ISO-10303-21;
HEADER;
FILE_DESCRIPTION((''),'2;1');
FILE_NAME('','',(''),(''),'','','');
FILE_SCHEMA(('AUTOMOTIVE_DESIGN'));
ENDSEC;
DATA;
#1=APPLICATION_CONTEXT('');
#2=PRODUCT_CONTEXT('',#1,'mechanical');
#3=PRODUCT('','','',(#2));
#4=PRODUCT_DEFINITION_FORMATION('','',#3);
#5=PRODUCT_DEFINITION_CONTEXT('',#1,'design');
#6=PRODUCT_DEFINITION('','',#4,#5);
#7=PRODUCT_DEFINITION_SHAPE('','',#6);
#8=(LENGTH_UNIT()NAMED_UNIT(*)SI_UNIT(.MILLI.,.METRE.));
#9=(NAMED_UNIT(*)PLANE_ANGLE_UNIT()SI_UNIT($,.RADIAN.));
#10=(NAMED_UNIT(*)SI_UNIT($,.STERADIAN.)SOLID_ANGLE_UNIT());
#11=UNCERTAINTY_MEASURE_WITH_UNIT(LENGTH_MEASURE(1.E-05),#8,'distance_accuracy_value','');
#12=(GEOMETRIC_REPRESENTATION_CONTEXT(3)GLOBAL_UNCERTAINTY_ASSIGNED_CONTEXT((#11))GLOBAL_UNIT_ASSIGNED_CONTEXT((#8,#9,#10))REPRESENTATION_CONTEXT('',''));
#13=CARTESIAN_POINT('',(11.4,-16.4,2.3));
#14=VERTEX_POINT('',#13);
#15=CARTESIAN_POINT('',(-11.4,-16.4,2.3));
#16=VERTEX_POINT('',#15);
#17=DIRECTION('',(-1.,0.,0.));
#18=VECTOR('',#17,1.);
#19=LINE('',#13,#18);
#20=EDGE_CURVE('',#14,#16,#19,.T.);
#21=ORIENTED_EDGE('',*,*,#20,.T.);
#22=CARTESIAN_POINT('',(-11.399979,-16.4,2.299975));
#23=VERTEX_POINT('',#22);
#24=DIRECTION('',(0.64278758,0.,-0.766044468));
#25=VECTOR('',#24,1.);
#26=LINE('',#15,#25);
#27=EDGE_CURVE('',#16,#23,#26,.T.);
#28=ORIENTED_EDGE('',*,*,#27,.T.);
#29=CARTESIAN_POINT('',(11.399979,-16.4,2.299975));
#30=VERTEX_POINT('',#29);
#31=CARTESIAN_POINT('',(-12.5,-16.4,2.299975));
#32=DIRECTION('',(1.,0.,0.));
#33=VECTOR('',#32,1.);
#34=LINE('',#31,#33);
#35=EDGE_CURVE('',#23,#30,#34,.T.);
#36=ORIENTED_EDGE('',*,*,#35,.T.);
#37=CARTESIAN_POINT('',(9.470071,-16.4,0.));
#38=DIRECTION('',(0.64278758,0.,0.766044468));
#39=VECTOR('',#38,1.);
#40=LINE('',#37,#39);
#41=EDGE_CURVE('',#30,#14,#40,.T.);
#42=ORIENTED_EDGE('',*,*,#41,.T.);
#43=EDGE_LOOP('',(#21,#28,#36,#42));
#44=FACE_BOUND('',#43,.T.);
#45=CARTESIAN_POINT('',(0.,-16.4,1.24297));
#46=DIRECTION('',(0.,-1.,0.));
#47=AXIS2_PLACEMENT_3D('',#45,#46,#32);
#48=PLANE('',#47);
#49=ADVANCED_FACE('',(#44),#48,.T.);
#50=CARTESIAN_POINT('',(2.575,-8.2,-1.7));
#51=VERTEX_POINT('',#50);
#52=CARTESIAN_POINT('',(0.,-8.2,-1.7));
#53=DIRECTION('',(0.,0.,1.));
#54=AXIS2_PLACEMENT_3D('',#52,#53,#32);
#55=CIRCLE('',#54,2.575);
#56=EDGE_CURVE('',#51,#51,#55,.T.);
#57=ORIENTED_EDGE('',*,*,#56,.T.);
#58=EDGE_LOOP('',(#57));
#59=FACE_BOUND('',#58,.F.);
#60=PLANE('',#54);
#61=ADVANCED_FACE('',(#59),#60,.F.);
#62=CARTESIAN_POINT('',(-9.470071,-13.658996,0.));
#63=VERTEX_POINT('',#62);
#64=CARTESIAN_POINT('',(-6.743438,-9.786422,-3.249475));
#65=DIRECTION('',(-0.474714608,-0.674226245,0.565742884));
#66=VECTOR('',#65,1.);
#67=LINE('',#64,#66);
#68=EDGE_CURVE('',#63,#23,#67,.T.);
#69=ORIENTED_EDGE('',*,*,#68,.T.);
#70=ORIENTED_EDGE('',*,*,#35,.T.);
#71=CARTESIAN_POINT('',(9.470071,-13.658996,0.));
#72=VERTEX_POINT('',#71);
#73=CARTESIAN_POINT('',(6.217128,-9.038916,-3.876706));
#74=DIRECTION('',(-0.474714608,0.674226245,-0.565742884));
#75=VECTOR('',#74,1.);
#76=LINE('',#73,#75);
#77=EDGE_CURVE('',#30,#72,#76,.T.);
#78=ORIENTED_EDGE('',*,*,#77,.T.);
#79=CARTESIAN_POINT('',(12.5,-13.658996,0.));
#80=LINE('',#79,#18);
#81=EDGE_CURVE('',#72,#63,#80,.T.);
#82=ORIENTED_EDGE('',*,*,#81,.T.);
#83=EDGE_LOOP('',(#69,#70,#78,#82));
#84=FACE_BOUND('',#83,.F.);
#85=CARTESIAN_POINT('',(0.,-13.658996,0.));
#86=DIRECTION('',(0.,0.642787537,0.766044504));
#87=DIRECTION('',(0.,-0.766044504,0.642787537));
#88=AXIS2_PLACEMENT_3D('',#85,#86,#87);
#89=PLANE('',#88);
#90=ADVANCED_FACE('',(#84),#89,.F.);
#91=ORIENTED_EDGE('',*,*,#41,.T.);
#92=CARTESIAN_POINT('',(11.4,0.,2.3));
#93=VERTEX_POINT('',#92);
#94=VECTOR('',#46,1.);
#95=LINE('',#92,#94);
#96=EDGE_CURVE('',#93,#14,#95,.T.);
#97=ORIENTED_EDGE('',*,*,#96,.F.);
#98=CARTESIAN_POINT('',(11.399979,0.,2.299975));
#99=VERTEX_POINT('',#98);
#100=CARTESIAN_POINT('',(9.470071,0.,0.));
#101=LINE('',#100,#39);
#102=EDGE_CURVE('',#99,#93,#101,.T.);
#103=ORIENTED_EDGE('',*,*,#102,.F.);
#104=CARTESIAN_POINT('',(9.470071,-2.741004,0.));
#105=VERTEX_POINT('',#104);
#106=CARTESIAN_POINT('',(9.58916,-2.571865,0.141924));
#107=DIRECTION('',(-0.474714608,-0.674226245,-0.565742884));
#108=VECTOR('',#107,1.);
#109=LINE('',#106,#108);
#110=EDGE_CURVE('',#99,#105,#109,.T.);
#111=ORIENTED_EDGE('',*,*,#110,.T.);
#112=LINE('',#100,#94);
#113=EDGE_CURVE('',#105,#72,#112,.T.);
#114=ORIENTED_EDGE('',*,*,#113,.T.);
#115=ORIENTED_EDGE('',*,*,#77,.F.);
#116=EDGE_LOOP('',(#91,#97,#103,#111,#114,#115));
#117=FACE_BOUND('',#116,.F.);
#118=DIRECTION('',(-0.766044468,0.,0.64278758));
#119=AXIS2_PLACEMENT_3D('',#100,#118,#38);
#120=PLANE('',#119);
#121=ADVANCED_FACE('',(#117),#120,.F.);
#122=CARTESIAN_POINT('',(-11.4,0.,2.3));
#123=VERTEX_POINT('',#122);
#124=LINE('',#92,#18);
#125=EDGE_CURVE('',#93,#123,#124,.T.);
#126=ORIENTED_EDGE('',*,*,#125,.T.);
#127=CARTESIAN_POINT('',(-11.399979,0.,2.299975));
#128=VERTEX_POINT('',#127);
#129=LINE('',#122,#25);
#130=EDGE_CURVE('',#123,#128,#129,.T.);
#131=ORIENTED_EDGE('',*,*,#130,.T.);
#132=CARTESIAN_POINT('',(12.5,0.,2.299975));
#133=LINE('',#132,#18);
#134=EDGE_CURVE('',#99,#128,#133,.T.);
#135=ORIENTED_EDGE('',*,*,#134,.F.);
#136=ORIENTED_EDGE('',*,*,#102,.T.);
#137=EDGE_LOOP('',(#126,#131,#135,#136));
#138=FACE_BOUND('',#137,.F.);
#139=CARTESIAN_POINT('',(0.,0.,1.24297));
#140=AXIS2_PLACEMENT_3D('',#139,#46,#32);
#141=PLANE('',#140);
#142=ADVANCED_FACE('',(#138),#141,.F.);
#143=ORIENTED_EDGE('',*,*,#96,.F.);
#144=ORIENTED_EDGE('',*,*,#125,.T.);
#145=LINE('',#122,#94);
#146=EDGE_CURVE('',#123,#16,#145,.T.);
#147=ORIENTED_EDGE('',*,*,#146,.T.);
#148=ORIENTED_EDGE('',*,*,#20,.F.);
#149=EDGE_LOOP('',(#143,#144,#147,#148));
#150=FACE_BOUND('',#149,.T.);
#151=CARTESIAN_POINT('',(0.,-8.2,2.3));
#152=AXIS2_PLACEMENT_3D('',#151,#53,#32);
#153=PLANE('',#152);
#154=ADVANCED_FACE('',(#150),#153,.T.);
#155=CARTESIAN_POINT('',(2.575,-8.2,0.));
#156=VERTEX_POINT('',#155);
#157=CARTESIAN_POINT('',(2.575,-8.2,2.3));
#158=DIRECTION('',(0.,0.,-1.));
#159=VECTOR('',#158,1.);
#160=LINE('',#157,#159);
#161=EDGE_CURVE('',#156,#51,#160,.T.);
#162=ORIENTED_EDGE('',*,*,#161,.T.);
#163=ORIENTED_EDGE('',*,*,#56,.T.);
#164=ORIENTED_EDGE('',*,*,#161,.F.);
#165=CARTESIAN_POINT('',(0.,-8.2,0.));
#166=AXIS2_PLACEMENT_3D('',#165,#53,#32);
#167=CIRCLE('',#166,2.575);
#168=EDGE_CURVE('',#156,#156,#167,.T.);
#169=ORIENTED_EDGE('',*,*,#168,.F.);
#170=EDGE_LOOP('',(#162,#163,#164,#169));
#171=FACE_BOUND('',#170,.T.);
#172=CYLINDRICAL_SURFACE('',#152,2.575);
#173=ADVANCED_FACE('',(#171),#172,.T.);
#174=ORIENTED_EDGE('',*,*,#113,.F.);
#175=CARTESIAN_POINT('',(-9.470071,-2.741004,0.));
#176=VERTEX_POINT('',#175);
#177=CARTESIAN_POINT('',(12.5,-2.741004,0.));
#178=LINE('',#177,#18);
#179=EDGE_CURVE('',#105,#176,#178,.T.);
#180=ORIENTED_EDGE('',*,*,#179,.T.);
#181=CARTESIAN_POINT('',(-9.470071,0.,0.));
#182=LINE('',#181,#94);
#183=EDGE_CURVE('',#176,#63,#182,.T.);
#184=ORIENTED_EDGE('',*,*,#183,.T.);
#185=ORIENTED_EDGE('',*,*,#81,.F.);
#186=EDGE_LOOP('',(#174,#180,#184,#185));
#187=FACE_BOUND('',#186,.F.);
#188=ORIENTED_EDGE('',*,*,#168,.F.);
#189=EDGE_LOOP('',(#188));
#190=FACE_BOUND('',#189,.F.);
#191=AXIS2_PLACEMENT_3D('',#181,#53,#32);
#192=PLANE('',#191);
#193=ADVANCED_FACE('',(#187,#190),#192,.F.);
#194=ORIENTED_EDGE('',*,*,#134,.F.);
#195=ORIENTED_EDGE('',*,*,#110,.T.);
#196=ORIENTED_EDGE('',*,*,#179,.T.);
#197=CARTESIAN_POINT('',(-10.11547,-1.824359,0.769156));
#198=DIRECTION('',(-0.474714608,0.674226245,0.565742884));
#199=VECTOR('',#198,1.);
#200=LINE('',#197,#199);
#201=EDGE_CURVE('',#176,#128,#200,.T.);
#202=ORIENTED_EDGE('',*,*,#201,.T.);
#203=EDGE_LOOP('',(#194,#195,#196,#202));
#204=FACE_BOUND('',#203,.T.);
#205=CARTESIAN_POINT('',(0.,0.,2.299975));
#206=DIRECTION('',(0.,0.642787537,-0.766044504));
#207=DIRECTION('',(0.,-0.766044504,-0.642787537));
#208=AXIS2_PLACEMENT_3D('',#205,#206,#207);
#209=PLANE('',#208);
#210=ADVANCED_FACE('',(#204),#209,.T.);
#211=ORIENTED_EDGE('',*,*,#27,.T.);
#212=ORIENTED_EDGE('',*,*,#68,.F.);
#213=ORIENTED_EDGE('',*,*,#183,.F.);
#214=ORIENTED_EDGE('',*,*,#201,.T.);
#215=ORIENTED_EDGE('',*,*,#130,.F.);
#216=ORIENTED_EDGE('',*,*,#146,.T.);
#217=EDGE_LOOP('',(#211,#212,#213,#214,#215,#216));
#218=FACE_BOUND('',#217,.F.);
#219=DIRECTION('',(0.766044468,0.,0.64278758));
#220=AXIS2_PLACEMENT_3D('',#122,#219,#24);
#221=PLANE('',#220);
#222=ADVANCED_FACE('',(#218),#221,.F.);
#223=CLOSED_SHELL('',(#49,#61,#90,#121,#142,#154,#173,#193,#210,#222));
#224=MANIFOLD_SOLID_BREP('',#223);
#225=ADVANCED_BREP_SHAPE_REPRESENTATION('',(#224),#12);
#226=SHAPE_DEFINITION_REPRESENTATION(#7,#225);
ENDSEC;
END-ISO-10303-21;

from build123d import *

# Parameters (mm, degrees)
F1_DEPTH = 16.4
F3_DEPTH = 12.5
F4_R     = 2.575
F5_DEPTH = 4


with BuildPart() as f1:
    # F0 (on Front) → F1 (new body)
    with BuildSketch(Plane.XZ):
        Polygon((-9.470071, 0), (0, 0), (9.470071, 0), (11.4, 2.3), (0, 2.3), (-11.4, 2.3), align=None)
    extrude(amount=F1_DEPTH)

    # F2 (on Right) → F3 (cut, symmetric)
    with BuildSketch(Plane.YZ):
        Polygon((-2.741004, 0), (0, 0), (0, 2.299975), align=None)
        Polygon((-13.658996, 0), (-16.4, 2.299975), (-16.4, 0), align=None)
    extrude(amount=F3_DEPTH, both=True, mode=Mode.SUBTRACT)

    # F4 (on face) → F5 (join)
    with BuildSketch(Plane.XY.offset(2.3)):
        with Locations((0, -8.2)):
            Circle(F4_R)
    extrude(amount=-F5_DEPTH)


solid = f1.part
